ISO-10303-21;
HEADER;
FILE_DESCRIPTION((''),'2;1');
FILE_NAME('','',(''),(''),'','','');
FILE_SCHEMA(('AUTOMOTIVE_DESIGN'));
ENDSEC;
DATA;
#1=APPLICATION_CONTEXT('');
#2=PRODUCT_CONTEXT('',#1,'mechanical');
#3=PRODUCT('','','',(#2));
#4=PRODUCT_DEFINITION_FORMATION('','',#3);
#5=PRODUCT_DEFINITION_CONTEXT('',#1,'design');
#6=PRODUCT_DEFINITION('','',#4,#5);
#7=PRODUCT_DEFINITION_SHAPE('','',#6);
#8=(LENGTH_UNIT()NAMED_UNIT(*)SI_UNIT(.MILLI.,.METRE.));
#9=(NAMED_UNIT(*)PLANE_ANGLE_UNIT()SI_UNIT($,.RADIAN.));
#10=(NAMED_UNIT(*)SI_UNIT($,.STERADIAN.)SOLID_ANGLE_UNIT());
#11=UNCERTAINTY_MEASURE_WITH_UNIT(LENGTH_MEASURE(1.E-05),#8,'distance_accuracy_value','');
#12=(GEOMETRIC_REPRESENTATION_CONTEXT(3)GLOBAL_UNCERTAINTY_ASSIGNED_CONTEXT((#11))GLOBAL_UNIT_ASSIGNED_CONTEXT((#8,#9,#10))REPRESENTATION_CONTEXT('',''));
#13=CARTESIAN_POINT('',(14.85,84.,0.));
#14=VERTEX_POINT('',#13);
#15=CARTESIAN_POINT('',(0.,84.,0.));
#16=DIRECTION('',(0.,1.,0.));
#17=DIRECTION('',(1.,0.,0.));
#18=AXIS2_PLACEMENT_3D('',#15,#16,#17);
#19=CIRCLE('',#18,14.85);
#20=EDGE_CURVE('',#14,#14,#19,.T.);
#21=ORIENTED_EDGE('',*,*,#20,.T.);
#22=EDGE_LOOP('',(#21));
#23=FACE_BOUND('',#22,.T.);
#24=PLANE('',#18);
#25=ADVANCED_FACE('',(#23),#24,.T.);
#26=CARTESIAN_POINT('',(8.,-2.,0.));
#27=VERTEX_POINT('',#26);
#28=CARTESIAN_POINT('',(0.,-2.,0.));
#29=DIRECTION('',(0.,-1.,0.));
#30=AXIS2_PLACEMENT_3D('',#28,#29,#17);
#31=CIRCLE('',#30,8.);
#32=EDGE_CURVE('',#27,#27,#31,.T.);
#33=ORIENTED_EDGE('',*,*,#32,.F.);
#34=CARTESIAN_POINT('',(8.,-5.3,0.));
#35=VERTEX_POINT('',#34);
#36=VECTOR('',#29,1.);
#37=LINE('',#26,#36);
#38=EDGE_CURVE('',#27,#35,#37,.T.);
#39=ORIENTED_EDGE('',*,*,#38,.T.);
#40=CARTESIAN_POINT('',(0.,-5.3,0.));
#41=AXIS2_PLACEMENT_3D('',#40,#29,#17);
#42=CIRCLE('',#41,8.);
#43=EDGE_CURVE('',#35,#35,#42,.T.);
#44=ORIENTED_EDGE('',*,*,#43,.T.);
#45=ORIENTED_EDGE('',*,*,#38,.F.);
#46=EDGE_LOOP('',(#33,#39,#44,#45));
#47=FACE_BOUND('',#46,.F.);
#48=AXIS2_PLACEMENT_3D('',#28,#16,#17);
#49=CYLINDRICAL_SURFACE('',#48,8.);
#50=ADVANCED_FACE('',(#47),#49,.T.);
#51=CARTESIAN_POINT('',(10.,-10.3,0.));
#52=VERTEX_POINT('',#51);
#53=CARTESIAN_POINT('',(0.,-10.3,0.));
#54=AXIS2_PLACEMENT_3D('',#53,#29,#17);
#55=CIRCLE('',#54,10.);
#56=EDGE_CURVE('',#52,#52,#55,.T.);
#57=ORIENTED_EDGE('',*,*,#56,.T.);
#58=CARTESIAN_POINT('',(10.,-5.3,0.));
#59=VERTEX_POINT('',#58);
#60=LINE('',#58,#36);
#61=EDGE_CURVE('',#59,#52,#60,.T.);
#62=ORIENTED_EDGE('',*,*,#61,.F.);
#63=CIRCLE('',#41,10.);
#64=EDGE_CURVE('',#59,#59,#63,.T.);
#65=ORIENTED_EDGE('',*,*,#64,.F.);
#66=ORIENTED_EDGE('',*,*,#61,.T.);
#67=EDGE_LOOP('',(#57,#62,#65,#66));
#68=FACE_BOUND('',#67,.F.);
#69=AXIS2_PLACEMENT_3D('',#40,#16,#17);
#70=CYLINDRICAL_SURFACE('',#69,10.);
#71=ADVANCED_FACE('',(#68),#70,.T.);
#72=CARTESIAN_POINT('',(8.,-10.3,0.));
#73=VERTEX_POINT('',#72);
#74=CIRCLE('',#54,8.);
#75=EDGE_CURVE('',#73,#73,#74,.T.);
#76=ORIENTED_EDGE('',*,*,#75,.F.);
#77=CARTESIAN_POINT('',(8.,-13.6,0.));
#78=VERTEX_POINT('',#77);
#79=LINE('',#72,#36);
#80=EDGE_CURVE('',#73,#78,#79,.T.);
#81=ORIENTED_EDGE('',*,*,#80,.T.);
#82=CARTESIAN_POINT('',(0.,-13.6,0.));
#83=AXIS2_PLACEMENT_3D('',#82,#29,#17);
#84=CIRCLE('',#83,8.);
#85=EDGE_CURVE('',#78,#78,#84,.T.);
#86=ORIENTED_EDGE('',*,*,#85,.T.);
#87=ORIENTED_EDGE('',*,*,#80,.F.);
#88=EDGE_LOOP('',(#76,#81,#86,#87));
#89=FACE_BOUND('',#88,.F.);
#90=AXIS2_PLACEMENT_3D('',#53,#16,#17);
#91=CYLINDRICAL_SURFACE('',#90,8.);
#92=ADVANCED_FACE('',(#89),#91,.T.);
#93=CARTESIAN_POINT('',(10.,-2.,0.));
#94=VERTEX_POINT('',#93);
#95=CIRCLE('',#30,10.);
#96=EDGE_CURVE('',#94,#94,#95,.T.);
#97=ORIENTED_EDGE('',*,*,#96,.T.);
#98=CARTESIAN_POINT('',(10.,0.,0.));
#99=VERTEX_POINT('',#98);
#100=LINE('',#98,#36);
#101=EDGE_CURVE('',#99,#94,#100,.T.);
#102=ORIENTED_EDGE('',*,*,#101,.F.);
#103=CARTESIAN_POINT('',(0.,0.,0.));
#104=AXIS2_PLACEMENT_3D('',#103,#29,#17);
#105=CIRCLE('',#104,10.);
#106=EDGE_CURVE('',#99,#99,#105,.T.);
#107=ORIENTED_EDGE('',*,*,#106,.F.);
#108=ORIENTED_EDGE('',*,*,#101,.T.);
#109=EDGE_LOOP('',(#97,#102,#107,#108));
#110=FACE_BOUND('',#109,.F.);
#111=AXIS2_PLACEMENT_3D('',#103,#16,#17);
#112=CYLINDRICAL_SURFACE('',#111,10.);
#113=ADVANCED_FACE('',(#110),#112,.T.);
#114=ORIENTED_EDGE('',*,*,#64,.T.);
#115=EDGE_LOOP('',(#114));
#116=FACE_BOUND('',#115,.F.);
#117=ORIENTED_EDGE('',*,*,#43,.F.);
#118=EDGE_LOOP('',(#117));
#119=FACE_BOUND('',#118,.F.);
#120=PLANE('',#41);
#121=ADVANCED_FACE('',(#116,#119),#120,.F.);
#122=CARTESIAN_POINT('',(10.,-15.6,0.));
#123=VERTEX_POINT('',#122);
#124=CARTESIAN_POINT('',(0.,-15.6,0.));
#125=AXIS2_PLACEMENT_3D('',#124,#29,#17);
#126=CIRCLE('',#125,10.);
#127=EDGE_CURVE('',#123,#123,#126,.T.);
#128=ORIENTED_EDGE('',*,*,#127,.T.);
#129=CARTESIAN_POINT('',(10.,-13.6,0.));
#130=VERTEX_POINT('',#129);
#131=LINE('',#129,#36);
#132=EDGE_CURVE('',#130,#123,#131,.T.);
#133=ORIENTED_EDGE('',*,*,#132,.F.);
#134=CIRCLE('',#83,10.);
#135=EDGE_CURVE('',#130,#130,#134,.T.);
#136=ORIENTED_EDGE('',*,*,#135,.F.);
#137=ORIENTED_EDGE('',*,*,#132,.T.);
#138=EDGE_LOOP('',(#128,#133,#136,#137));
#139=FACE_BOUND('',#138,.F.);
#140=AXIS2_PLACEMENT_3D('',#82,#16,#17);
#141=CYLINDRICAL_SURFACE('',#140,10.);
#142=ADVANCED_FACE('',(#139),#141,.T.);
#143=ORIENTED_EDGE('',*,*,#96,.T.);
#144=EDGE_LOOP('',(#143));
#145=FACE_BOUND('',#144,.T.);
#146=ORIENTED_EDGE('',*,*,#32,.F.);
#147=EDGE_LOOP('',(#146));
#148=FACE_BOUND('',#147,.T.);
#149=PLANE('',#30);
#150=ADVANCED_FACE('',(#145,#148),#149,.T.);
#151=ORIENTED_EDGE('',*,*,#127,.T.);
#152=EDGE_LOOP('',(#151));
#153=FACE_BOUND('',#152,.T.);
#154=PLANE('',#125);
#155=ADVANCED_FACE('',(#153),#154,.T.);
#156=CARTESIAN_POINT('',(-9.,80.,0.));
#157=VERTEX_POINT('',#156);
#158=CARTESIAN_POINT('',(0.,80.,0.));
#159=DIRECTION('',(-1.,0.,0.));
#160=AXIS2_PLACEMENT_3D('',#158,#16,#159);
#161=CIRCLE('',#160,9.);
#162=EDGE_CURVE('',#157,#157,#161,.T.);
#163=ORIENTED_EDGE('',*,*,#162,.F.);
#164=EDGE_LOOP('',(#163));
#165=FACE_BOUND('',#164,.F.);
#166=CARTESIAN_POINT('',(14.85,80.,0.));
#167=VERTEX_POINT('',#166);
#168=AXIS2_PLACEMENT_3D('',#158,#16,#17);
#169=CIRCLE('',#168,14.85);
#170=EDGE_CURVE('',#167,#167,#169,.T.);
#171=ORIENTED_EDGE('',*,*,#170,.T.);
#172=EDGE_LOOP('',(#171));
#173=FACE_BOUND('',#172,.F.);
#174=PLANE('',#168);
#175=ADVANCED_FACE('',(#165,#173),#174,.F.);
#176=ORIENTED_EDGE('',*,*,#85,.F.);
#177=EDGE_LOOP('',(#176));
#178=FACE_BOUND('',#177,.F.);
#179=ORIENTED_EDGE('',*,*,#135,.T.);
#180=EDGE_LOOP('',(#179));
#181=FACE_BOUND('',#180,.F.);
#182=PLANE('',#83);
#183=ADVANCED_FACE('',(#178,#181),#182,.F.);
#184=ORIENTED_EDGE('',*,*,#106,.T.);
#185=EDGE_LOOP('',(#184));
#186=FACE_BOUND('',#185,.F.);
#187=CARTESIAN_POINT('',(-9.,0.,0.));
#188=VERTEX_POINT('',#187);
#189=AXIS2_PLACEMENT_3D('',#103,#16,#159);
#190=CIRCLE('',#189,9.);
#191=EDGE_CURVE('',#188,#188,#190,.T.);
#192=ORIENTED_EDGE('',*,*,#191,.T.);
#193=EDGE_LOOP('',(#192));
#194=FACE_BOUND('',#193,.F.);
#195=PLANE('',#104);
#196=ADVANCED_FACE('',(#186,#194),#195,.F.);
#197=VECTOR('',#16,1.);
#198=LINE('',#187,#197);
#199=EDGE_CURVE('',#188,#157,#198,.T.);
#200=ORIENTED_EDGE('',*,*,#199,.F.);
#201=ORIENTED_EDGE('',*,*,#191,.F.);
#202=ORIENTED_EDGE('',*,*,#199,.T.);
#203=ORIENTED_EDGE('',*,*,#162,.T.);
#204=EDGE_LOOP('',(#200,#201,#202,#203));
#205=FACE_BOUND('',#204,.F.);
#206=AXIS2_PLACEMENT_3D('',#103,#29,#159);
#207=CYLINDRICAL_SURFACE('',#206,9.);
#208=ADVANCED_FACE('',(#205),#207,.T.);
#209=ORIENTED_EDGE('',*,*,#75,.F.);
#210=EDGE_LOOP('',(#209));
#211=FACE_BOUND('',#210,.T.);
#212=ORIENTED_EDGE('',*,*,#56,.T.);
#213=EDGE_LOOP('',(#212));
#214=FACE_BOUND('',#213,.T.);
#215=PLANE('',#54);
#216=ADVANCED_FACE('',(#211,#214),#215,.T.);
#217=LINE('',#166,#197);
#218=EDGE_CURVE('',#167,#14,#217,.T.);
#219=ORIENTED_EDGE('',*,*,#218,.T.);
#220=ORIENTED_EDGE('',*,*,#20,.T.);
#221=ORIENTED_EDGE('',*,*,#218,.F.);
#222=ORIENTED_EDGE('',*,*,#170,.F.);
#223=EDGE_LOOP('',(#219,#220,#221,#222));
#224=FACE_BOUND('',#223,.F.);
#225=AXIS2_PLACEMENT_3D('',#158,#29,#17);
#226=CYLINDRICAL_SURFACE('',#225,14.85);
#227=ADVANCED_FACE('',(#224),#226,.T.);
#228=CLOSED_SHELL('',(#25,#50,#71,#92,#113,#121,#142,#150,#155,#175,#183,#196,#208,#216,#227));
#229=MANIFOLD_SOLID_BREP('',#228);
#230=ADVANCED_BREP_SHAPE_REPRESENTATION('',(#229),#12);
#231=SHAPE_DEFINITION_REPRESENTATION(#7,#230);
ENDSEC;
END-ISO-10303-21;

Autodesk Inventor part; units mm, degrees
ref_plane "YZ Plane" through (0, 0, 0) normal (1, 0, 0) x (0, 1, 0)
ref_plane "XZ Plane" through (0, 0, 0) normal (0, 1, 0) x (-1, 0, 0)
ref_plane "XY Plane" through (0, 0, 0) normal (0, 0, 1) x (1, 0, 0)
sketch "Sketch1" plane through (0, 0, 0) normal (0, 1, 0) x (-1, 0, 0)
  circle A0 centre (0, 0) radius 9
  dimension "d0" = 18
extrude "Extrusion1" add sketch "Sketch1" along normal blind 80
sketch "Sketch2" plane through (0, 80, 0) normal (0, 1, 0) x (1, 0, 0)
  circle A0 centre (0, 0) radius 14.85
  dimension "d3" = 29.7
extrude "Extrusion2" add sketch "Sketch2" along normal blind 4
sketch "Sketch3" plane through (0, 0, 0) normal (0, -1, 0) x (1, 0, 0)
  circle A0 centre (0, 0) radius 9 projected
  circle A1 centre (0, 0) radius 10
  dimension "d6" = 20
extrude "Extrusion3" add sketch "Sketch3" along normal blind 2 contours A0 | A1
sketch "Sketch4" plane through (0, -2, 0) normal (0, -1, 0) x (1, 0, 0)
  circle A0 centre (0, 0) radius 8
  dimension "d9" = 16
extrude "Extrusion4" add sketch "Sketch4" along normal blind 3.3
sketch "Sketch5" plane through (0, -5.3, 0) normal (0, -1, 0) x (1, 0, 0)
  circle A0 centre (0, 0) radius 10
  dimension "d12" = 20
extrude "Extrusion5" add sketch "Sketch5" along normal blind 5
sketch "Sketch7" plane through (0, -10.3, 0) normal (0, -1, 0) x (1, 0, 0)
  circle A0 centre (0, 0) radius 8
  dimension "d15" = 16
extrude "Extrusion6" add sketch "Sketch7" along normal blind 3.3
sketch "Sketch8" plane through (0, -13.6, 0) normal (0, -1, 0) x (1, 0, 0)
  circle A0 centre (0, 0) radius 10
  dimension "d18" = 20
extrude "Extrusion7" add sketch "Sketch8" along normal blind 2
properties part number "Plunger"
